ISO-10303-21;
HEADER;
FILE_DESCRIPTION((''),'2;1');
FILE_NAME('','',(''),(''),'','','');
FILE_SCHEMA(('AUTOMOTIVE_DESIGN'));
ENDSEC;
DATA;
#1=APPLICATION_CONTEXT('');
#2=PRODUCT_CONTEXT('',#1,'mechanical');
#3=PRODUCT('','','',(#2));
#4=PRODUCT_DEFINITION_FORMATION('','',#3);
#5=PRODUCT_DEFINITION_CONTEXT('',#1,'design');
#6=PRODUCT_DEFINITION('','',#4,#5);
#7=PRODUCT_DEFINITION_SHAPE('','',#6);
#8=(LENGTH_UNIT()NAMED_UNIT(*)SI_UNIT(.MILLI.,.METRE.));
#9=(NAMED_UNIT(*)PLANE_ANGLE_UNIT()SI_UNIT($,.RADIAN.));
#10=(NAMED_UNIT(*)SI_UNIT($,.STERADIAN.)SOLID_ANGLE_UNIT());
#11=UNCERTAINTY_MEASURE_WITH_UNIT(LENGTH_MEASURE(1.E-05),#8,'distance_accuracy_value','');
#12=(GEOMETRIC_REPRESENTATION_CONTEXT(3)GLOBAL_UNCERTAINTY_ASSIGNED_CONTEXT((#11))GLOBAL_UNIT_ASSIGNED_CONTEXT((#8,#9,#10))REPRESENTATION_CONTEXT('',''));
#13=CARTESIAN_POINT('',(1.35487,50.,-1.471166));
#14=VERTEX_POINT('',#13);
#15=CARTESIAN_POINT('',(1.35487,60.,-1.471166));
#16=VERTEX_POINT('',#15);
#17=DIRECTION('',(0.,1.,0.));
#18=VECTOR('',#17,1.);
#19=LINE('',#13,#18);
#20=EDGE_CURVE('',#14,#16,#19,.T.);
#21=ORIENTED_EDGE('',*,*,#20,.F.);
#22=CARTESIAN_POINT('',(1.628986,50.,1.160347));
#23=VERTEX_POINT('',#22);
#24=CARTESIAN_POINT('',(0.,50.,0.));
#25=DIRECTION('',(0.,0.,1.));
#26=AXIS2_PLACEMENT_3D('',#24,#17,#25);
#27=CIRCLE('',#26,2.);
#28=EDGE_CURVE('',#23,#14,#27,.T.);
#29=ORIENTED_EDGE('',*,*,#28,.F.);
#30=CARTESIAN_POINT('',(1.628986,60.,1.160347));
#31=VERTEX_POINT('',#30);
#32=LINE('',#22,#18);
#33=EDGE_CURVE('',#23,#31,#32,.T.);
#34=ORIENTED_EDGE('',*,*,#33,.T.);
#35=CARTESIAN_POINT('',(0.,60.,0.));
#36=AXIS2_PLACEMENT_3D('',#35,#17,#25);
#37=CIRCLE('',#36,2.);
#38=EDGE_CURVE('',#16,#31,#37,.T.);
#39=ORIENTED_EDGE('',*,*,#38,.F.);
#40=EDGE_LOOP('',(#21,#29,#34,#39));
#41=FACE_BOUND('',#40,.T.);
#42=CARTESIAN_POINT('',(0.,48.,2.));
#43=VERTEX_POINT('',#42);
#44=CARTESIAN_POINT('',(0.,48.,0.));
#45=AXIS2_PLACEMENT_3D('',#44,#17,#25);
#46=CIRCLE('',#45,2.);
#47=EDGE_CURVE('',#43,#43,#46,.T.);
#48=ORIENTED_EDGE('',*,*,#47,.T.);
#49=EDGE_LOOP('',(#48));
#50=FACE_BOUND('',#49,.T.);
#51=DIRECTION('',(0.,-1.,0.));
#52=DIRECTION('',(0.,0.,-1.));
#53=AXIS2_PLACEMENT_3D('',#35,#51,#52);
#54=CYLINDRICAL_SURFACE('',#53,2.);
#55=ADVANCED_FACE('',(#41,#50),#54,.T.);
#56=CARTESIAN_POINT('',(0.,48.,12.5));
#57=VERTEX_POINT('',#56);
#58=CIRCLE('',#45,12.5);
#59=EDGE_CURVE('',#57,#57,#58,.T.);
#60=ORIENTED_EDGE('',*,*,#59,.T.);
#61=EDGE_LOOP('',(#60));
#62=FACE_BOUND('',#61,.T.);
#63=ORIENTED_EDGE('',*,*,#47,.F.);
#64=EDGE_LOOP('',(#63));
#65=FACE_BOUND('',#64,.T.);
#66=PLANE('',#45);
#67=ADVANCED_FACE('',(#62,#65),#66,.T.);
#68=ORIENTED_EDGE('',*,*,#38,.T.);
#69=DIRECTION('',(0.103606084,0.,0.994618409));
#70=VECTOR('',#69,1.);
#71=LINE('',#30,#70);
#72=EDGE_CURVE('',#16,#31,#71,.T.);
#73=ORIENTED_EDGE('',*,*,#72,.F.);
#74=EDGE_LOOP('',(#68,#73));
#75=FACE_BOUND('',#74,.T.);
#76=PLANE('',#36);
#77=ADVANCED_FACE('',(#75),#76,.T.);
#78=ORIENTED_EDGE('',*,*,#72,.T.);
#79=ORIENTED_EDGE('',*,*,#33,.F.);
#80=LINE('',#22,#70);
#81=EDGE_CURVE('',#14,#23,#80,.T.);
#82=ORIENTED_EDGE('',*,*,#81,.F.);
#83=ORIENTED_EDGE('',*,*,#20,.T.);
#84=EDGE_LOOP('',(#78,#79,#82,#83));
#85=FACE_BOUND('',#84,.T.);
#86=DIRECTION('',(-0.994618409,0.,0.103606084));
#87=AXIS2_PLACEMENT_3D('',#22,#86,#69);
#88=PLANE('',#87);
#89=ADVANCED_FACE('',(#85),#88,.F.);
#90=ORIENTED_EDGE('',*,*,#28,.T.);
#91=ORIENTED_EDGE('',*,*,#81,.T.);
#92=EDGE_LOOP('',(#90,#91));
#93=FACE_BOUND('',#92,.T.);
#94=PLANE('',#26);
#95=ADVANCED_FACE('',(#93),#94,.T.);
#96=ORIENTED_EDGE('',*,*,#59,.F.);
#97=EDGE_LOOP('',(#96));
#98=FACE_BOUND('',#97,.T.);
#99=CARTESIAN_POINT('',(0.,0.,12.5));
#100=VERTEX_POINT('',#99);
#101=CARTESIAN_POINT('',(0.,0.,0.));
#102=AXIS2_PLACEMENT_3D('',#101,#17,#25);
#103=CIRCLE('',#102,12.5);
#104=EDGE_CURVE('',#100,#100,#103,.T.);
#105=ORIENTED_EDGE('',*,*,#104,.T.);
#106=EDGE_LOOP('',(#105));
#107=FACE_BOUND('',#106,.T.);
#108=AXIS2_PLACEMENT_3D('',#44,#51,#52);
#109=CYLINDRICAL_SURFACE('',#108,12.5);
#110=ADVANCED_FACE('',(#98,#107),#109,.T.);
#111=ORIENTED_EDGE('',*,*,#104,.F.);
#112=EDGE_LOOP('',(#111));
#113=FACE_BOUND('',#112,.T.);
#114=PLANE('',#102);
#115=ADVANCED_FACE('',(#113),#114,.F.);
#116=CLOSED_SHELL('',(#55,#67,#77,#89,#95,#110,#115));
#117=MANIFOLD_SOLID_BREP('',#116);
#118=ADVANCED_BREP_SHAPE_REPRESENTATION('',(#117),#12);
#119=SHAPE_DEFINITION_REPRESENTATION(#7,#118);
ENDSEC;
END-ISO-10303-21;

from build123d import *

# Parameters (mm, degrees)
SKETCH_1_R          = 12.5
EXTRUDE_1_DEPTH     = 48
SKETCH_2_R          = 2
EXTRUDE_2_DEPTH     = 12
CUT_EXTRUDE_START   = -10
CUT_EXTRUDE_1_DEPTH = 10


with BuildPart() as part:
    # 草图1 → 凸台-拉伸1 (new body)
    with BuildSketch(Plane(origin=(0, 0, 0), x_dir=(1, 0, 0), z_dir=(0, 1, 0))):
        with Locations(Location((0, 0, 0), (0, 0, 270))):
            Circle(SKETCH_1_R)
    extrude(amount=EXTRUDE_1_DEPTH)

    # 草图2 → 凸台-拉伸2 (add)
    with BuildSketch(Plane(origin=(0, 48, 0), x_dir=(1, 0, 0), z_dir=(0, 1, 0))):
        with Locations(Location((0, 0, 0), (0, 0, 270))):
            Circle(SKETCH_2_R)
    extrude(amount=EXTRUDE_2_DEPTH)

    # 草图3 → 切除-拉伸1 (cut)
    with BuildSketch(Plane(origin=(0, 60, 0), x_dir=(1, 0, 0), z_dir=(0, 1, 0)).offset(CUT_EXTRUDE_START)):
        with BuildLine():
            Line((1.62898558, -1.160347353), (1.354869647, 1.471165606))
            ThreePointArc((1.354869647, 1.471165606), (1.989236818, 0.207212169), (1.62898558, -1.160347353))
        make_face()
    extrude(amount=CUT_EXTRUDE_1_DEPTH, mode=Mode.SUBTRACT)


solid = part.part
